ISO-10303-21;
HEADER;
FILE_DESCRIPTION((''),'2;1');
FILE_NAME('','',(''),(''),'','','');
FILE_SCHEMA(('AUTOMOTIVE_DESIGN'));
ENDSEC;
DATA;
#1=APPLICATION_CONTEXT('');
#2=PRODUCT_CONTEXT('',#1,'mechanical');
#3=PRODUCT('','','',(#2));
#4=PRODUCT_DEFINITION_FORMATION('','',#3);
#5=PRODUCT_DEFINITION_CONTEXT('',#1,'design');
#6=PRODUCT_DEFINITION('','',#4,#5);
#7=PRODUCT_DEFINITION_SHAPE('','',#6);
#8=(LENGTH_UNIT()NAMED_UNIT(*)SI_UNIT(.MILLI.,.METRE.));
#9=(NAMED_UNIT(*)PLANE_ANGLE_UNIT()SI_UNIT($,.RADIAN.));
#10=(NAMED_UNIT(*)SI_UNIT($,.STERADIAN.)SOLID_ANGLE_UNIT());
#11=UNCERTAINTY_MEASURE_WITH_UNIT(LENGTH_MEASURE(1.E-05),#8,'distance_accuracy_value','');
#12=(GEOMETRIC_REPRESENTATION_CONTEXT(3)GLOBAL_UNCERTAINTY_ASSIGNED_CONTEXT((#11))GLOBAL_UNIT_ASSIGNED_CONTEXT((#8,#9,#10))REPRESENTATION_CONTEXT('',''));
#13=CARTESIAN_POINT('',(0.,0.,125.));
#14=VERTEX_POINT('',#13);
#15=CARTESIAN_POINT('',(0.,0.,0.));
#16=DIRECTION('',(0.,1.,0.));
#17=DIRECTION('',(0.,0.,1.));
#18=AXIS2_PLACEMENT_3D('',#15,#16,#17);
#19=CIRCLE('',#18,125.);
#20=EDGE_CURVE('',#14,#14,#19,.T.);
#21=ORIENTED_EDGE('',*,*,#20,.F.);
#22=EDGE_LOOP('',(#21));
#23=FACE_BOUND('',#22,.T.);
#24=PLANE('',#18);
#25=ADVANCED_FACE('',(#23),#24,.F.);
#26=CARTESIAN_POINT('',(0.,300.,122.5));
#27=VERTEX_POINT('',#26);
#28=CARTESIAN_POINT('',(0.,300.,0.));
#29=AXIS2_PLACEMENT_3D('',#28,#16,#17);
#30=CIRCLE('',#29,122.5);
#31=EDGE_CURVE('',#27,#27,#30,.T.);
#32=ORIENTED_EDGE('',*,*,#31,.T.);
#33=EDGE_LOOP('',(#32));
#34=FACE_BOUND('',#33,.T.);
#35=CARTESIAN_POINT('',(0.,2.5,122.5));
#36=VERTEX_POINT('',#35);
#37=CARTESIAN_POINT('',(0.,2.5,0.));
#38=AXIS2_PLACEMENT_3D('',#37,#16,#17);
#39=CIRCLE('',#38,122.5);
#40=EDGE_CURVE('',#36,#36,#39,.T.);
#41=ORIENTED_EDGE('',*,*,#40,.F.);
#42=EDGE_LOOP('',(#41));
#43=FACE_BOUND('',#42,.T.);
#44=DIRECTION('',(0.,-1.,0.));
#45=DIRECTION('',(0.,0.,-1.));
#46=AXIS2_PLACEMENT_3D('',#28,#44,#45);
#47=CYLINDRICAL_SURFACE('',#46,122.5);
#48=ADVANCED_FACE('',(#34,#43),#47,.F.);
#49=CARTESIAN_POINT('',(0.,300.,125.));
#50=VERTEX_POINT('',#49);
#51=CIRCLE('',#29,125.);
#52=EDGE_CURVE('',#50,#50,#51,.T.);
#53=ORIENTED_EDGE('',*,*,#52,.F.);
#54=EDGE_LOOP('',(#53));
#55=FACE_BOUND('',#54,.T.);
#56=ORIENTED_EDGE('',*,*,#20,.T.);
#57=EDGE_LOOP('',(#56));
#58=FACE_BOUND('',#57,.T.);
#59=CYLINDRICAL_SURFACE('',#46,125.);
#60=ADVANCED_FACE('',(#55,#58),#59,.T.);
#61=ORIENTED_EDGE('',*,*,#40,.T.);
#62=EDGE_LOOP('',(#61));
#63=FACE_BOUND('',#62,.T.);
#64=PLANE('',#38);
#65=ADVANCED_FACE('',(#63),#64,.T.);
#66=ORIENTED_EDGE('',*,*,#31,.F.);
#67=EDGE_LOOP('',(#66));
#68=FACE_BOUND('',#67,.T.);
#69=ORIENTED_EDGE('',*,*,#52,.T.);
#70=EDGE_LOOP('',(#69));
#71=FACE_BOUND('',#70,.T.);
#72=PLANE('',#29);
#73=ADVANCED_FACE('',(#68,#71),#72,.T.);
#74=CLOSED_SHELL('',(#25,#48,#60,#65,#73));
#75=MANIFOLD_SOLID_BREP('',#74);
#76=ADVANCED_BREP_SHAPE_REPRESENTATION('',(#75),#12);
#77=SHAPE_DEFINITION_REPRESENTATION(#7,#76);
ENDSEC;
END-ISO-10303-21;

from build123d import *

# Parameters (mm, degrees)
SKETCH1_R           = 125
BOSS_EXTRUDE1_DEPTH = 300
SHELL2_T            = -2.5


with BuildPart() as part:
    # Sketch1 → Boss-Extrude1 (new body)
    with BuildSketch(Plane(origin=(0, 0, 0), x_dir=(1, 0, 0), z_dir=(0, 1, 0))):
        with Locations(Location((0, 0, 0), (0, 0, 270))):
            Circle(SKETCH1_R)
    extrude(amount=BOSS_EXTRUDE1_DEPTH)

    # Shell2
    shell2_openings = [part.faces().sort_by_distance(p)[0] for p in [
        (0, 300, 0),
    ]]
    offset(amount=SHELL2_T, openings=shell2_openings, kind=Kind.INTERSECTION)


solid = part.part
